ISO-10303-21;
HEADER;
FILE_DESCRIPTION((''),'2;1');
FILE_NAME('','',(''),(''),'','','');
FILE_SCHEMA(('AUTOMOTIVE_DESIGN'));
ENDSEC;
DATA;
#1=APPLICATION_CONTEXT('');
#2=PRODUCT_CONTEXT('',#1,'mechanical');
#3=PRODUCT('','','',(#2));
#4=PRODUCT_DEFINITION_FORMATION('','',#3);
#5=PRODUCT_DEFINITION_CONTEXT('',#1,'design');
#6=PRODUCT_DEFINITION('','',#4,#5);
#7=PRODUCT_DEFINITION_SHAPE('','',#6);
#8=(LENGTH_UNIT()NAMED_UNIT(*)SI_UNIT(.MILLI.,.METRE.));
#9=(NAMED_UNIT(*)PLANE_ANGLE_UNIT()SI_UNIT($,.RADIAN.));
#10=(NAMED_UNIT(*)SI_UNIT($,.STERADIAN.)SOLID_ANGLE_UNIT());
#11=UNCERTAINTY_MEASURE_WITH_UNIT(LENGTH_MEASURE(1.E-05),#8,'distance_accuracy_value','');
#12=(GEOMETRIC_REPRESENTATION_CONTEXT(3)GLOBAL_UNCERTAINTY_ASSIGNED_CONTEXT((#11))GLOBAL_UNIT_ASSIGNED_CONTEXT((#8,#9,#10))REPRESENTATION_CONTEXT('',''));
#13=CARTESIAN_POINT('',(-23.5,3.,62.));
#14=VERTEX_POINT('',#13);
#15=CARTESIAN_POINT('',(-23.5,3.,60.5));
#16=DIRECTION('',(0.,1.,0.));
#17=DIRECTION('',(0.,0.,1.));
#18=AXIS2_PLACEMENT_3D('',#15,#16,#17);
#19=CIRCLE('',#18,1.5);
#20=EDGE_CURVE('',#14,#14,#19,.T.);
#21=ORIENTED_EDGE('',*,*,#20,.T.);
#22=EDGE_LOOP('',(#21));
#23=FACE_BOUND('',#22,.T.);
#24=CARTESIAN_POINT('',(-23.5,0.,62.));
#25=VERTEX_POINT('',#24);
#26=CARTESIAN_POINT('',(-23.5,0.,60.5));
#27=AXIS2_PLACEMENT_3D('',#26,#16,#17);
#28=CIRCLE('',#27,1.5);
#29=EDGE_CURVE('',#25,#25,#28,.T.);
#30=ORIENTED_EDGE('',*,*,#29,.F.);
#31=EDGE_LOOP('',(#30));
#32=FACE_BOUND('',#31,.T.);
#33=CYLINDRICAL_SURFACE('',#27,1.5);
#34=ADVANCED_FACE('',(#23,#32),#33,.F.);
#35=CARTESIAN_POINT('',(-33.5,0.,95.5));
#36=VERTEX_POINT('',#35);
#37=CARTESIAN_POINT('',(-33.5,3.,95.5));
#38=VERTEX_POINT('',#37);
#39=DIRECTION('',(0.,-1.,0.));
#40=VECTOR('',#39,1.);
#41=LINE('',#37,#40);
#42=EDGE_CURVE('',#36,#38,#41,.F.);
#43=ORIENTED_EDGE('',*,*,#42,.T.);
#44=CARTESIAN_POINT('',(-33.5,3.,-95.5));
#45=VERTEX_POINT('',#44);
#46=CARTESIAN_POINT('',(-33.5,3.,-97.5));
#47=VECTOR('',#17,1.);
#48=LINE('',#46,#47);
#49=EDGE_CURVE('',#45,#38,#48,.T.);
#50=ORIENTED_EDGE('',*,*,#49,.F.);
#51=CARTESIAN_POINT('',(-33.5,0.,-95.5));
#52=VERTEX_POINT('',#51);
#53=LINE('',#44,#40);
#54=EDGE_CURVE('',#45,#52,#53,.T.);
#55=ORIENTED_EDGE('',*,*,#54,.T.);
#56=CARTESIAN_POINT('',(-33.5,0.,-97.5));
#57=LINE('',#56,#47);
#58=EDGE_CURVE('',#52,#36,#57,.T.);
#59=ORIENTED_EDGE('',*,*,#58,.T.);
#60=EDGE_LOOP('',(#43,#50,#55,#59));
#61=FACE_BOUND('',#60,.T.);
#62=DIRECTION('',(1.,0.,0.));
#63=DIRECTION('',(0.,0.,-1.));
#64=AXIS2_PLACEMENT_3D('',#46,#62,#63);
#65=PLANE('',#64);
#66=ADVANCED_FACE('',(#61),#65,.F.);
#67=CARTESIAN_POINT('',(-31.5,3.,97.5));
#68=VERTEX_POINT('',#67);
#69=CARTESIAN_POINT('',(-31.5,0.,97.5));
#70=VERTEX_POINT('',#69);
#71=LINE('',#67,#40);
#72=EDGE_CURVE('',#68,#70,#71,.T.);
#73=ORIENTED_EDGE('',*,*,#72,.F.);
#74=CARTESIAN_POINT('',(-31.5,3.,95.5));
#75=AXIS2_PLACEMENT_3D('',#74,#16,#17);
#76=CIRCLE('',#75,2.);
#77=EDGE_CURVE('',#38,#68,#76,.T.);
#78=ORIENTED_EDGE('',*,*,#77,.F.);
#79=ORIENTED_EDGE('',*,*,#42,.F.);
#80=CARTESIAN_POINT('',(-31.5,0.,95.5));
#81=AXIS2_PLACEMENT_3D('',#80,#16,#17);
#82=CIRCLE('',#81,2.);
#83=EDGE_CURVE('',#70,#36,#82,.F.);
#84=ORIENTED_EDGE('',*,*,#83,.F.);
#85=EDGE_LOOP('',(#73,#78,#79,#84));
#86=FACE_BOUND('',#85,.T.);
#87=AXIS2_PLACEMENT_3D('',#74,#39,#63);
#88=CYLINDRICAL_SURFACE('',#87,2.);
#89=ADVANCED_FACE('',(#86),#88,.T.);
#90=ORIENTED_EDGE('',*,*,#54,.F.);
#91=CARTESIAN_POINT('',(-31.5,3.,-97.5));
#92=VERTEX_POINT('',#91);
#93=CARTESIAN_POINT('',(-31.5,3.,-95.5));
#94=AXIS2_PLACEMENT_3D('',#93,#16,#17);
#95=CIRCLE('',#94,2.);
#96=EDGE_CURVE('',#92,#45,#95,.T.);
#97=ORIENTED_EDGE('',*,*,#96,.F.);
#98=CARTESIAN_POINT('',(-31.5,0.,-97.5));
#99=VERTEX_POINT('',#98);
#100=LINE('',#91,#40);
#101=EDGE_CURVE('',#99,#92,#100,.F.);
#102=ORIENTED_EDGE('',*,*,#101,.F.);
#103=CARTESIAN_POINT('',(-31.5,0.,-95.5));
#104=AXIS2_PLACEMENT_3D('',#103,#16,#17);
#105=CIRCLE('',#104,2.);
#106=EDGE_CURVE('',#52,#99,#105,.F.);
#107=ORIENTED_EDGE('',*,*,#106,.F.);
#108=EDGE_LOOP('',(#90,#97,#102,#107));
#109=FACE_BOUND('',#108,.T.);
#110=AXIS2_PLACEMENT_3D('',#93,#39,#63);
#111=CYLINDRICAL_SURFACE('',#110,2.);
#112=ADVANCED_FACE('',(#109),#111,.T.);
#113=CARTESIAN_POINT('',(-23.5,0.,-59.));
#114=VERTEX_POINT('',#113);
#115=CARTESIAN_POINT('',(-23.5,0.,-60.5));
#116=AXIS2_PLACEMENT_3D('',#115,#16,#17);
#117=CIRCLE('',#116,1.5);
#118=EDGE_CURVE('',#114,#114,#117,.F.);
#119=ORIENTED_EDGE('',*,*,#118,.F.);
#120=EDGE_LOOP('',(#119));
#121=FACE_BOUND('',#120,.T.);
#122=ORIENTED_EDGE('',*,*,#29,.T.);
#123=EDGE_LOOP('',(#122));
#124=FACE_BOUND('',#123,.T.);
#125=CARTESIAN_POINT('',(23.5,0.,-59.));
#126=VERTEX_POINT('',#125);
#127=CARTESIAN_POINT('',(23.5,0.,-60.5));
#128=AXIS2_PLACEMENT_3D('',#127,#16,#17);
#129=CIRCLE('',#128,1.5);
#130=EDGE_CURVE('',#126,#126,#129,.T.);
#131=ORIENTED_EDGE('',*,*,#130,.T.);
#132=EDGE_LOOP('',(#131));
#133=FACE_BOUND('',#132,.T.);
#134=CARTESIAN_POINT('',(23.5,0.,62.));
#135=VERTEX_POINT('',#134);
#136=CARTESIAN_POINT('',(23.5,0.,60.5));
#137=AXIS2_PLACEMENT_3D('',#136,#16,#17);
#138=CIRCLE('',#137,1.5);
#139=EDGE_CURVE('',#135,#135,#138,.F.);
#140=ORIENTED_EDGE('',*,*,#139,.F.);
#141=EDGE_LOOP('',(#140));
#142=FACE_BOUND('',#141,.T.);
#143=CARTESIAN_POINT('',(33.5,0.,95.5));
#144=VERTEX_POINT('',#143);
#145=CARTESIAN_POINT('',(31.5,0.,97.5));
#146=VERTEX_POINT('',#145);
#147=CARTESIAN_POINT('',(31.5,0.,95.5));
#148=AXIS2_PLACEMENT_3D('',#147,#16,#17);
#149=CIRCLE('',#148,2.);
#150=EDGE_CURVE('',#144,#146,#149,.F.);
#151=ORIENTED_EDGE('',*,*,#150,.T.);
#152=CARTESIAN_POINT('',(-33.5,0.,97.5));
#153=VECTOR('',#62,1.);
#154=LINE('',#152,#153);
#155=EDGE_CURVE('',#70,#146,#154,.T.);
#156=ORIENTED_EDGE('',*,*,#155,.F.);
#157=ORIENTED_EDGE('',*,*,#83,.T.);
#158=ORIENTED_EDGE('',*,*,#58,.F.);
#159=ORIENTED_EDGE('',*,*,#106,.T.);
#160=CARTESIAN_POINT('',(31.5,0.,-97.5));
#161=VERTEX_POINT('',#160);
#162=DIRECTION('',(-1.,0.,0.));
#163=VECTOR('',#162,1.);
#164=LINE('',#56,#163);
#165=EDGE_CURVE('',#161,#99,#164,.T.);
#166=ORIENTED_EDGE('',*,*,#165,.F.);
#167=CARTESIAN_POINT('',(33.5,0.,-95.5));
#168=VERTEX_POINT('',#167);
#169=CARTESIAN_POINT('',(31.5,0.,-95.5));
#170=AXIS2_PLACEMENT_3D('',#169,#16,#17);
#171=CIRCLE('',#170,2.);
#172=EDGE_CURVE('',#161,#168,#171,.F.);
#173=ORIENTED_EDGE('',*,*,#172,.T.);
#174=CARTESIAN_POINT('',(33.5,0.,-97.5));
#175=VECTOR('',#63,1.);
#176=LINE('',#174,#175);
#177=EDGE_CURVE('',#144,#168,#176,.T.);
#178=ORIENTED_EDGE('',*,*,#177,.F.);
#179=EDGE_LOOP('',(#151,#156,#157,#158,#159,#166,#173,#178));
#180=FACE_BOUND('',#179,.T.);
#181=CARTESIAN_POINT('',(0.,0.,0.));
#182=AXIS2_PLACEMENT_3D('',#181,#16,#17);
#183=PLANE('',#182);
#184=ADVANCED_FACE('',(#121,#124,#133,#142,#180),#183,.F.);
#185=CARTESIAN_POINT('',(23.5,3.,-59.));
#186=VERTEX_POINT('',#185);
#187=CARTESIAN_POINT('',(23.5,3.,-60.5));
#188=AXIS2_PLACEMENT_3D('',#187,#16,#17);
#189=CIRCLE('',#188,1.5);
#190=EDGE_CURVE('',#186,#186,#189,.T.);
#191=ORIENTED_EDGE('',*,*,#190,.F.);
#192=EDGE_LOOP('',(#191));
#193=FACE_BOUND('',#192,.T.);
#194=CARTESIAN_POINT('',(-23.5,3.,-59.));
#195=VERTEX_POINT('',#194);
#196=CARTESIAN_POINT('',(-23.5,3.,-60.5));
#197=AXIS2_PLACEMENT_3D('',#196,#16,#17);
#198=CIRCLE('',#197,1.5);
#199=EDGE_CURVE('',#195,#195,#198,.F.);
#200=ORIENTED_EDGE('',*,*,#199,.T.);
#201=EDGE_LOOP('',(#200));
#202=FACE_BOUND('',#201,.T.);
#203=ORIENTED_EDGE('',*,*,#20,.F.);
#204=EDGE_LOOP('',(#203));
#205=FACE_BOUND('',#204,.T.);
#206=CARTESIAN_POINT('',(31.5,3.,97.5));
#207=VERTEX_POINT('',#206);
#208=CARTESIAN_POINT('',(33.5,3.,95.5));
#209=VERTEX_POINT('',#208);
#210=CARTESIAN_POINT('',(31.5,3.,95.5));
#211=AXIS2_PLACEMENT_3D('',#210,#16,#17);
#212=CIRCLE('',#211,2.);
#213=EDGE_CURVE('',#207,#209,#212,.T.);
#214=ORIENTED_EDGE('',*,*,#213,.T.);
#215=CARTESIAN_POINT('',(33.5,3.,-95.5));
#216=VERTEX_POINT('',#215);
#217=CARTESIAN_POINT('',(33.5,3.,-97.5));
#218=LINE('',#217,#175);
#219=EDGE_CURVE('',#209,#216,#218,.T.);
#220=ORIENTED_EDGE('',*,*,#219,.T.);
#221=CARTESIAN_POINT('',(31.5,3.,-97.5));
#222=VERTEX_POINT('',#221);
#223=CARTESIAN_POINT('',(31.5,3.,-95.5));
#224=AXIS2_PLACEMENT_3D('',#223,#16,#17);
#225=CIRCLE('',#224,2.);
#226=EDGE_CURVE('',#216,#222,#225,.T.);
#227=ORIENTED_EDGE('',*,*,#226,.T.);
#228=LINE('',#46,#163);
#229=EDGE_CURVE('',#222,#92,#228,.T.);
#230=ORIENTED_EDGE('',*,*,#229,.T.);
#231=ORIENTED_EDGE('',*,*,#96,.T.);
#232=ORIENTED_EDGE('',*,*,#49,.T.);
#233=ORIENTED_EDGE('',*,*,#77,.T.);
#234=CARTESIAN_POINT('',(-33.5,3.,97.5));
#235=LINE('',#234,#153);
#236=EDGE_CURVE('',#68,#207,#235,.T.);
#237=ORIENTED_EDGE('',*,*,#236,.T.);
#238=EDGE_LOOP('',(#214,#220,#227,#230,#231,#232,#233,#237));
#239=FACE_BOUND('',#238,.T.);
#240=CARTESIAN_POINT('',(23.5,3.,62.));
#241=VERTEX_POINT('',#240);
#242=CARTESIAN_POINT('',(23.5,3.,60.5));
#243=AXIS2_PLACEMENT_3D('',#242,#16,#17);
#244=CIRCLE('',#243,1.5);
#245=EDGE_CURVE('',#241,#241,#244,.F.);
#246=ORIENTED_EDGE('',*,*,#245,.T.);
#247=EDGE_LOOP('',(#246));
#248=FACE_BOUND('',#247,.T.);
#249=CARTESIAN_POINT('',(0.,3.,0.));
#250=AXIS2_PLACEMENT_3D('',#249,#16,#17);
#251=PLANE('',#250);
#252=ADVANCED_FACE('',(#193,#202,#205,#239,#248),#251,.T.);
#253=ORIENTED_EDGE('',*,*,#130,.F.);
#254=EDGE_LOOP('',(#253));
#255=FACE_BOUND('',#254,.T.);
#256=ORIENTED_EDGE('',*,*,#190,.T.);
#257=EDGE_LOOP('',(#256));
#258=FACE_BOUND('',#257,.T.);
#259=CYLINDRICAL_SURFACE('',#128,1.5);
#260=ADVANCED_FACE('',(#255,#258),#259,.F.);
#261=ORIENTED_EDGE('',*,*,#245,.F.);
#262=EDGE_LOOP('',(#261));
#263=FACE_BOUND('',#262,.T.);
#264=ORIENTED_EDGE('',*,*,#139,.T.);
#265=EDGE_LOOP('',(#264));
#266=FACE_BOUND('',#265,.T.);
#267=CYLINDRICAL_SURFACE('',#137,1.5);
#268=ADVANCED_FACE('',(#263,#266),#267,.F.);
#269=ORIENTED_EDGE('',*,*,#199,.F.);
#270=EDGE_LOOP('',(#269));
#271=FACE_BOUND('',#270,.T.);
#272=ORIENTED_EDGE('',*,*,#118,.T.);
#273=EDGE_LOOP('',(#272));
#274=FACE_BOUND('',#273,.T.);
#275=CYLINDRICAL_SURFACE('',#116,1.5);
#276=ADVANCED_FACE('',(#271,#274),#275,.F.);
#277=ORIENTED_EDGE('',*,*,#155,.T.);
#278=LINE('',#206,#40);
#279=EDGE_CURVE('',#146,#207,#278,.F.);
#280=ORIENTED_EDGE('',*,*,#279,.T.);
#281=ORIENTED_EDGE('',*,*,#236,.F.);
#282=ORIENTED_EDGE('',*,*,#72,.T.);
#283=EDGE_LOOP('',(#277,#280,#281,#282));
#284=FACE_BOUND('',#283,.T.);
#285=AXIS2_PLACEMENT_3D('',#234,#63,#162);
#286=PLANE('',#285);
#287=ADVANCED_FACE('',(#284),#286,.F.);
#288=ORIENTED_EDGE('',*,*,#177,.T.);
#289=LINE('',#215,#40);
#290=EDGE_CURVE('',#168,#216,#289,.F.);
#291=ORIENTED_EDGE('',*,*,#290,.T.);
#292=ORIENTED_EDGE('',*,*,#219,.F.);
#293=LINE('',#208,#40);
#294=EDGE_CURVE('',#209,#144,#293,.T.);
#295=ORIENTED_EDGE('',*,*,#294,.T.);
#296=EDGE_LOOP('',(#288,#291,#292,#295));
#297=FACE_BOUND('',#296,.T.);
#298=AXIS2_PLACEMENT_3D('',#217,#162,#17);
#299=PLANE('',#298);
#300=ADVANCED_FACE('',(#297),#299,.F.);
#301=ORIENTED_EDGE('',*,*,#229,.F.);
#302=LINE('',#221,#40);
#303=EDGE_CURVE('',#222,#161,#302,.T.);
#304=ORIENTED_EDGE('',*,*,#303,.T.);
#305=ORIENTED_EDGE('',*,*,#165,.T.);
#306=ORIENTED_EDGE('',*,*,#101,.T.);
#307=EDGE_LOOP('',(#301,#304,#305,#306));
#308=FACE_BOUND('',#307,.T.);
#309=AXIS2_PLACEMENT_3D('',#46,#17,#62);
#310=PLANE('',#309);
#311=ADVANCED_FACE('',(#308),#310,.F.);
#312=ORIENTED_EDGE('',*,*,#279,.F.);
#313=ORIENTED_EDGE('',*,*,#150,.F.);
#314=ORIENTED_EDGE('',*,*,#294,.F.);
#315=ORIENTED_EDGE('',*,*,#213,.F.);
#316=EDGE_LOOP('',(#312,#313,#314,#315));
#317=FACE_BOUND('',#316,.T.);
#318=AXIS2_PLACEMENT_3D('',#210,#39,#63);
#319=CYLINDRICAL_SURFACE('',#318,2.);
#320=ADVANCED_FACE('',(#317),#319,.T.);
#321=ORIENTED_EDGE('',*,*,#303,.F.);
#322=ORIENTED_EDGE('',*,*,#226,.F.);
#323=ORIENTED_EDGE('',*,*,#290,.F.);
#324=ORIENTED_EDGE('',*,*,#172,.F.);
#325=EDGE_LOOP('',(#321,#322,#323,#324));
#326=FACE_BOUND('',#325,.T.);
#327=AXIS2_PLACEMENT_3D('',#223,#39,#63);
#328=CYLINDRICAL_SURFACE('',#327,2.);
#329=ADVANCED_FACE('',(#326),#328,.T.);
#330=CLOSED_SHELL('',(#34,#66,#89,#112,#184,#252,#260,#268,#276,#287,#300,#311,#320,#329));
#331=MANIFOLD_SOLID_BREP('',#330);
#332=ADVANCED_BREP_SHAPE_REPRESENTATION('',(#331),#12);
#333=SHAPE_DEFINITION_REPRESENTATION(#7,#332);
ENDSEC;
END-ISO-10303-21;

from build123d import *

# Parameters (mm, degrees)
SKETCH1_W           = 67
SKETCH1_H           = 195
BOSS_EXTRUDE1_DEPTH = 3
SKETCH2_R           = 1.5
CUT_EXTRUDE1_DEPTH  = 3
FILLET1_R           = 2


with BuildPart() as part:
    # Sketch1 → Boss-Extrude1 (new body)
    with BuildSketch(Plane(origin=(0, 0, 0), x_dir=(1, 0, 0), z_dir=(0, 1, 0))):
        Rectangle(SKETCH1_W, SKETCH1_H)
    extrude(amount=BOSS_EXTRUDE1_DEPTH)

    # Sketch2 → Cut-Extrude1 (cut)
    with BuildSketch(Plane(origin=(0, 3, 0), x_dir=(1, 0, 0), z_dir=(0, 1, 0))):
        with Locations(Location((-23.5, 60.5, 0), (0, 0, 270))):
            Circle(SKETCH2_R)
        with Locations(Location((23.5, 60.5, 0), (0, 0, 270))):
            Circle(SKETCH2_R)
        with Locations(Location((-23.5, -60.5, 0), (0, 0, 270))):
            Circle(SKETCH2_R)
        with Locations(Location((23.5, -60.5, 0), (0, 0, 270))):
            Circle(SKETCH2_R)
    extrude(amount=-CUT_EXTRUDE1_DEPTH, mode=Mode.SUBTRACT)

    # Fillet1
    fillet1_edges = [part.edges().sort_by_distance(p)[0] for p in [
        (33.5, 1.5, 97.5),
        (-33.5, 1.5, 97.5),
        (-33.5, 1.5, -97.5),
        (33.5, 1.5, -97.5),
    ]]
    fillet(fillet1_edges, radius=FILLET1_R)


solid = part.part
